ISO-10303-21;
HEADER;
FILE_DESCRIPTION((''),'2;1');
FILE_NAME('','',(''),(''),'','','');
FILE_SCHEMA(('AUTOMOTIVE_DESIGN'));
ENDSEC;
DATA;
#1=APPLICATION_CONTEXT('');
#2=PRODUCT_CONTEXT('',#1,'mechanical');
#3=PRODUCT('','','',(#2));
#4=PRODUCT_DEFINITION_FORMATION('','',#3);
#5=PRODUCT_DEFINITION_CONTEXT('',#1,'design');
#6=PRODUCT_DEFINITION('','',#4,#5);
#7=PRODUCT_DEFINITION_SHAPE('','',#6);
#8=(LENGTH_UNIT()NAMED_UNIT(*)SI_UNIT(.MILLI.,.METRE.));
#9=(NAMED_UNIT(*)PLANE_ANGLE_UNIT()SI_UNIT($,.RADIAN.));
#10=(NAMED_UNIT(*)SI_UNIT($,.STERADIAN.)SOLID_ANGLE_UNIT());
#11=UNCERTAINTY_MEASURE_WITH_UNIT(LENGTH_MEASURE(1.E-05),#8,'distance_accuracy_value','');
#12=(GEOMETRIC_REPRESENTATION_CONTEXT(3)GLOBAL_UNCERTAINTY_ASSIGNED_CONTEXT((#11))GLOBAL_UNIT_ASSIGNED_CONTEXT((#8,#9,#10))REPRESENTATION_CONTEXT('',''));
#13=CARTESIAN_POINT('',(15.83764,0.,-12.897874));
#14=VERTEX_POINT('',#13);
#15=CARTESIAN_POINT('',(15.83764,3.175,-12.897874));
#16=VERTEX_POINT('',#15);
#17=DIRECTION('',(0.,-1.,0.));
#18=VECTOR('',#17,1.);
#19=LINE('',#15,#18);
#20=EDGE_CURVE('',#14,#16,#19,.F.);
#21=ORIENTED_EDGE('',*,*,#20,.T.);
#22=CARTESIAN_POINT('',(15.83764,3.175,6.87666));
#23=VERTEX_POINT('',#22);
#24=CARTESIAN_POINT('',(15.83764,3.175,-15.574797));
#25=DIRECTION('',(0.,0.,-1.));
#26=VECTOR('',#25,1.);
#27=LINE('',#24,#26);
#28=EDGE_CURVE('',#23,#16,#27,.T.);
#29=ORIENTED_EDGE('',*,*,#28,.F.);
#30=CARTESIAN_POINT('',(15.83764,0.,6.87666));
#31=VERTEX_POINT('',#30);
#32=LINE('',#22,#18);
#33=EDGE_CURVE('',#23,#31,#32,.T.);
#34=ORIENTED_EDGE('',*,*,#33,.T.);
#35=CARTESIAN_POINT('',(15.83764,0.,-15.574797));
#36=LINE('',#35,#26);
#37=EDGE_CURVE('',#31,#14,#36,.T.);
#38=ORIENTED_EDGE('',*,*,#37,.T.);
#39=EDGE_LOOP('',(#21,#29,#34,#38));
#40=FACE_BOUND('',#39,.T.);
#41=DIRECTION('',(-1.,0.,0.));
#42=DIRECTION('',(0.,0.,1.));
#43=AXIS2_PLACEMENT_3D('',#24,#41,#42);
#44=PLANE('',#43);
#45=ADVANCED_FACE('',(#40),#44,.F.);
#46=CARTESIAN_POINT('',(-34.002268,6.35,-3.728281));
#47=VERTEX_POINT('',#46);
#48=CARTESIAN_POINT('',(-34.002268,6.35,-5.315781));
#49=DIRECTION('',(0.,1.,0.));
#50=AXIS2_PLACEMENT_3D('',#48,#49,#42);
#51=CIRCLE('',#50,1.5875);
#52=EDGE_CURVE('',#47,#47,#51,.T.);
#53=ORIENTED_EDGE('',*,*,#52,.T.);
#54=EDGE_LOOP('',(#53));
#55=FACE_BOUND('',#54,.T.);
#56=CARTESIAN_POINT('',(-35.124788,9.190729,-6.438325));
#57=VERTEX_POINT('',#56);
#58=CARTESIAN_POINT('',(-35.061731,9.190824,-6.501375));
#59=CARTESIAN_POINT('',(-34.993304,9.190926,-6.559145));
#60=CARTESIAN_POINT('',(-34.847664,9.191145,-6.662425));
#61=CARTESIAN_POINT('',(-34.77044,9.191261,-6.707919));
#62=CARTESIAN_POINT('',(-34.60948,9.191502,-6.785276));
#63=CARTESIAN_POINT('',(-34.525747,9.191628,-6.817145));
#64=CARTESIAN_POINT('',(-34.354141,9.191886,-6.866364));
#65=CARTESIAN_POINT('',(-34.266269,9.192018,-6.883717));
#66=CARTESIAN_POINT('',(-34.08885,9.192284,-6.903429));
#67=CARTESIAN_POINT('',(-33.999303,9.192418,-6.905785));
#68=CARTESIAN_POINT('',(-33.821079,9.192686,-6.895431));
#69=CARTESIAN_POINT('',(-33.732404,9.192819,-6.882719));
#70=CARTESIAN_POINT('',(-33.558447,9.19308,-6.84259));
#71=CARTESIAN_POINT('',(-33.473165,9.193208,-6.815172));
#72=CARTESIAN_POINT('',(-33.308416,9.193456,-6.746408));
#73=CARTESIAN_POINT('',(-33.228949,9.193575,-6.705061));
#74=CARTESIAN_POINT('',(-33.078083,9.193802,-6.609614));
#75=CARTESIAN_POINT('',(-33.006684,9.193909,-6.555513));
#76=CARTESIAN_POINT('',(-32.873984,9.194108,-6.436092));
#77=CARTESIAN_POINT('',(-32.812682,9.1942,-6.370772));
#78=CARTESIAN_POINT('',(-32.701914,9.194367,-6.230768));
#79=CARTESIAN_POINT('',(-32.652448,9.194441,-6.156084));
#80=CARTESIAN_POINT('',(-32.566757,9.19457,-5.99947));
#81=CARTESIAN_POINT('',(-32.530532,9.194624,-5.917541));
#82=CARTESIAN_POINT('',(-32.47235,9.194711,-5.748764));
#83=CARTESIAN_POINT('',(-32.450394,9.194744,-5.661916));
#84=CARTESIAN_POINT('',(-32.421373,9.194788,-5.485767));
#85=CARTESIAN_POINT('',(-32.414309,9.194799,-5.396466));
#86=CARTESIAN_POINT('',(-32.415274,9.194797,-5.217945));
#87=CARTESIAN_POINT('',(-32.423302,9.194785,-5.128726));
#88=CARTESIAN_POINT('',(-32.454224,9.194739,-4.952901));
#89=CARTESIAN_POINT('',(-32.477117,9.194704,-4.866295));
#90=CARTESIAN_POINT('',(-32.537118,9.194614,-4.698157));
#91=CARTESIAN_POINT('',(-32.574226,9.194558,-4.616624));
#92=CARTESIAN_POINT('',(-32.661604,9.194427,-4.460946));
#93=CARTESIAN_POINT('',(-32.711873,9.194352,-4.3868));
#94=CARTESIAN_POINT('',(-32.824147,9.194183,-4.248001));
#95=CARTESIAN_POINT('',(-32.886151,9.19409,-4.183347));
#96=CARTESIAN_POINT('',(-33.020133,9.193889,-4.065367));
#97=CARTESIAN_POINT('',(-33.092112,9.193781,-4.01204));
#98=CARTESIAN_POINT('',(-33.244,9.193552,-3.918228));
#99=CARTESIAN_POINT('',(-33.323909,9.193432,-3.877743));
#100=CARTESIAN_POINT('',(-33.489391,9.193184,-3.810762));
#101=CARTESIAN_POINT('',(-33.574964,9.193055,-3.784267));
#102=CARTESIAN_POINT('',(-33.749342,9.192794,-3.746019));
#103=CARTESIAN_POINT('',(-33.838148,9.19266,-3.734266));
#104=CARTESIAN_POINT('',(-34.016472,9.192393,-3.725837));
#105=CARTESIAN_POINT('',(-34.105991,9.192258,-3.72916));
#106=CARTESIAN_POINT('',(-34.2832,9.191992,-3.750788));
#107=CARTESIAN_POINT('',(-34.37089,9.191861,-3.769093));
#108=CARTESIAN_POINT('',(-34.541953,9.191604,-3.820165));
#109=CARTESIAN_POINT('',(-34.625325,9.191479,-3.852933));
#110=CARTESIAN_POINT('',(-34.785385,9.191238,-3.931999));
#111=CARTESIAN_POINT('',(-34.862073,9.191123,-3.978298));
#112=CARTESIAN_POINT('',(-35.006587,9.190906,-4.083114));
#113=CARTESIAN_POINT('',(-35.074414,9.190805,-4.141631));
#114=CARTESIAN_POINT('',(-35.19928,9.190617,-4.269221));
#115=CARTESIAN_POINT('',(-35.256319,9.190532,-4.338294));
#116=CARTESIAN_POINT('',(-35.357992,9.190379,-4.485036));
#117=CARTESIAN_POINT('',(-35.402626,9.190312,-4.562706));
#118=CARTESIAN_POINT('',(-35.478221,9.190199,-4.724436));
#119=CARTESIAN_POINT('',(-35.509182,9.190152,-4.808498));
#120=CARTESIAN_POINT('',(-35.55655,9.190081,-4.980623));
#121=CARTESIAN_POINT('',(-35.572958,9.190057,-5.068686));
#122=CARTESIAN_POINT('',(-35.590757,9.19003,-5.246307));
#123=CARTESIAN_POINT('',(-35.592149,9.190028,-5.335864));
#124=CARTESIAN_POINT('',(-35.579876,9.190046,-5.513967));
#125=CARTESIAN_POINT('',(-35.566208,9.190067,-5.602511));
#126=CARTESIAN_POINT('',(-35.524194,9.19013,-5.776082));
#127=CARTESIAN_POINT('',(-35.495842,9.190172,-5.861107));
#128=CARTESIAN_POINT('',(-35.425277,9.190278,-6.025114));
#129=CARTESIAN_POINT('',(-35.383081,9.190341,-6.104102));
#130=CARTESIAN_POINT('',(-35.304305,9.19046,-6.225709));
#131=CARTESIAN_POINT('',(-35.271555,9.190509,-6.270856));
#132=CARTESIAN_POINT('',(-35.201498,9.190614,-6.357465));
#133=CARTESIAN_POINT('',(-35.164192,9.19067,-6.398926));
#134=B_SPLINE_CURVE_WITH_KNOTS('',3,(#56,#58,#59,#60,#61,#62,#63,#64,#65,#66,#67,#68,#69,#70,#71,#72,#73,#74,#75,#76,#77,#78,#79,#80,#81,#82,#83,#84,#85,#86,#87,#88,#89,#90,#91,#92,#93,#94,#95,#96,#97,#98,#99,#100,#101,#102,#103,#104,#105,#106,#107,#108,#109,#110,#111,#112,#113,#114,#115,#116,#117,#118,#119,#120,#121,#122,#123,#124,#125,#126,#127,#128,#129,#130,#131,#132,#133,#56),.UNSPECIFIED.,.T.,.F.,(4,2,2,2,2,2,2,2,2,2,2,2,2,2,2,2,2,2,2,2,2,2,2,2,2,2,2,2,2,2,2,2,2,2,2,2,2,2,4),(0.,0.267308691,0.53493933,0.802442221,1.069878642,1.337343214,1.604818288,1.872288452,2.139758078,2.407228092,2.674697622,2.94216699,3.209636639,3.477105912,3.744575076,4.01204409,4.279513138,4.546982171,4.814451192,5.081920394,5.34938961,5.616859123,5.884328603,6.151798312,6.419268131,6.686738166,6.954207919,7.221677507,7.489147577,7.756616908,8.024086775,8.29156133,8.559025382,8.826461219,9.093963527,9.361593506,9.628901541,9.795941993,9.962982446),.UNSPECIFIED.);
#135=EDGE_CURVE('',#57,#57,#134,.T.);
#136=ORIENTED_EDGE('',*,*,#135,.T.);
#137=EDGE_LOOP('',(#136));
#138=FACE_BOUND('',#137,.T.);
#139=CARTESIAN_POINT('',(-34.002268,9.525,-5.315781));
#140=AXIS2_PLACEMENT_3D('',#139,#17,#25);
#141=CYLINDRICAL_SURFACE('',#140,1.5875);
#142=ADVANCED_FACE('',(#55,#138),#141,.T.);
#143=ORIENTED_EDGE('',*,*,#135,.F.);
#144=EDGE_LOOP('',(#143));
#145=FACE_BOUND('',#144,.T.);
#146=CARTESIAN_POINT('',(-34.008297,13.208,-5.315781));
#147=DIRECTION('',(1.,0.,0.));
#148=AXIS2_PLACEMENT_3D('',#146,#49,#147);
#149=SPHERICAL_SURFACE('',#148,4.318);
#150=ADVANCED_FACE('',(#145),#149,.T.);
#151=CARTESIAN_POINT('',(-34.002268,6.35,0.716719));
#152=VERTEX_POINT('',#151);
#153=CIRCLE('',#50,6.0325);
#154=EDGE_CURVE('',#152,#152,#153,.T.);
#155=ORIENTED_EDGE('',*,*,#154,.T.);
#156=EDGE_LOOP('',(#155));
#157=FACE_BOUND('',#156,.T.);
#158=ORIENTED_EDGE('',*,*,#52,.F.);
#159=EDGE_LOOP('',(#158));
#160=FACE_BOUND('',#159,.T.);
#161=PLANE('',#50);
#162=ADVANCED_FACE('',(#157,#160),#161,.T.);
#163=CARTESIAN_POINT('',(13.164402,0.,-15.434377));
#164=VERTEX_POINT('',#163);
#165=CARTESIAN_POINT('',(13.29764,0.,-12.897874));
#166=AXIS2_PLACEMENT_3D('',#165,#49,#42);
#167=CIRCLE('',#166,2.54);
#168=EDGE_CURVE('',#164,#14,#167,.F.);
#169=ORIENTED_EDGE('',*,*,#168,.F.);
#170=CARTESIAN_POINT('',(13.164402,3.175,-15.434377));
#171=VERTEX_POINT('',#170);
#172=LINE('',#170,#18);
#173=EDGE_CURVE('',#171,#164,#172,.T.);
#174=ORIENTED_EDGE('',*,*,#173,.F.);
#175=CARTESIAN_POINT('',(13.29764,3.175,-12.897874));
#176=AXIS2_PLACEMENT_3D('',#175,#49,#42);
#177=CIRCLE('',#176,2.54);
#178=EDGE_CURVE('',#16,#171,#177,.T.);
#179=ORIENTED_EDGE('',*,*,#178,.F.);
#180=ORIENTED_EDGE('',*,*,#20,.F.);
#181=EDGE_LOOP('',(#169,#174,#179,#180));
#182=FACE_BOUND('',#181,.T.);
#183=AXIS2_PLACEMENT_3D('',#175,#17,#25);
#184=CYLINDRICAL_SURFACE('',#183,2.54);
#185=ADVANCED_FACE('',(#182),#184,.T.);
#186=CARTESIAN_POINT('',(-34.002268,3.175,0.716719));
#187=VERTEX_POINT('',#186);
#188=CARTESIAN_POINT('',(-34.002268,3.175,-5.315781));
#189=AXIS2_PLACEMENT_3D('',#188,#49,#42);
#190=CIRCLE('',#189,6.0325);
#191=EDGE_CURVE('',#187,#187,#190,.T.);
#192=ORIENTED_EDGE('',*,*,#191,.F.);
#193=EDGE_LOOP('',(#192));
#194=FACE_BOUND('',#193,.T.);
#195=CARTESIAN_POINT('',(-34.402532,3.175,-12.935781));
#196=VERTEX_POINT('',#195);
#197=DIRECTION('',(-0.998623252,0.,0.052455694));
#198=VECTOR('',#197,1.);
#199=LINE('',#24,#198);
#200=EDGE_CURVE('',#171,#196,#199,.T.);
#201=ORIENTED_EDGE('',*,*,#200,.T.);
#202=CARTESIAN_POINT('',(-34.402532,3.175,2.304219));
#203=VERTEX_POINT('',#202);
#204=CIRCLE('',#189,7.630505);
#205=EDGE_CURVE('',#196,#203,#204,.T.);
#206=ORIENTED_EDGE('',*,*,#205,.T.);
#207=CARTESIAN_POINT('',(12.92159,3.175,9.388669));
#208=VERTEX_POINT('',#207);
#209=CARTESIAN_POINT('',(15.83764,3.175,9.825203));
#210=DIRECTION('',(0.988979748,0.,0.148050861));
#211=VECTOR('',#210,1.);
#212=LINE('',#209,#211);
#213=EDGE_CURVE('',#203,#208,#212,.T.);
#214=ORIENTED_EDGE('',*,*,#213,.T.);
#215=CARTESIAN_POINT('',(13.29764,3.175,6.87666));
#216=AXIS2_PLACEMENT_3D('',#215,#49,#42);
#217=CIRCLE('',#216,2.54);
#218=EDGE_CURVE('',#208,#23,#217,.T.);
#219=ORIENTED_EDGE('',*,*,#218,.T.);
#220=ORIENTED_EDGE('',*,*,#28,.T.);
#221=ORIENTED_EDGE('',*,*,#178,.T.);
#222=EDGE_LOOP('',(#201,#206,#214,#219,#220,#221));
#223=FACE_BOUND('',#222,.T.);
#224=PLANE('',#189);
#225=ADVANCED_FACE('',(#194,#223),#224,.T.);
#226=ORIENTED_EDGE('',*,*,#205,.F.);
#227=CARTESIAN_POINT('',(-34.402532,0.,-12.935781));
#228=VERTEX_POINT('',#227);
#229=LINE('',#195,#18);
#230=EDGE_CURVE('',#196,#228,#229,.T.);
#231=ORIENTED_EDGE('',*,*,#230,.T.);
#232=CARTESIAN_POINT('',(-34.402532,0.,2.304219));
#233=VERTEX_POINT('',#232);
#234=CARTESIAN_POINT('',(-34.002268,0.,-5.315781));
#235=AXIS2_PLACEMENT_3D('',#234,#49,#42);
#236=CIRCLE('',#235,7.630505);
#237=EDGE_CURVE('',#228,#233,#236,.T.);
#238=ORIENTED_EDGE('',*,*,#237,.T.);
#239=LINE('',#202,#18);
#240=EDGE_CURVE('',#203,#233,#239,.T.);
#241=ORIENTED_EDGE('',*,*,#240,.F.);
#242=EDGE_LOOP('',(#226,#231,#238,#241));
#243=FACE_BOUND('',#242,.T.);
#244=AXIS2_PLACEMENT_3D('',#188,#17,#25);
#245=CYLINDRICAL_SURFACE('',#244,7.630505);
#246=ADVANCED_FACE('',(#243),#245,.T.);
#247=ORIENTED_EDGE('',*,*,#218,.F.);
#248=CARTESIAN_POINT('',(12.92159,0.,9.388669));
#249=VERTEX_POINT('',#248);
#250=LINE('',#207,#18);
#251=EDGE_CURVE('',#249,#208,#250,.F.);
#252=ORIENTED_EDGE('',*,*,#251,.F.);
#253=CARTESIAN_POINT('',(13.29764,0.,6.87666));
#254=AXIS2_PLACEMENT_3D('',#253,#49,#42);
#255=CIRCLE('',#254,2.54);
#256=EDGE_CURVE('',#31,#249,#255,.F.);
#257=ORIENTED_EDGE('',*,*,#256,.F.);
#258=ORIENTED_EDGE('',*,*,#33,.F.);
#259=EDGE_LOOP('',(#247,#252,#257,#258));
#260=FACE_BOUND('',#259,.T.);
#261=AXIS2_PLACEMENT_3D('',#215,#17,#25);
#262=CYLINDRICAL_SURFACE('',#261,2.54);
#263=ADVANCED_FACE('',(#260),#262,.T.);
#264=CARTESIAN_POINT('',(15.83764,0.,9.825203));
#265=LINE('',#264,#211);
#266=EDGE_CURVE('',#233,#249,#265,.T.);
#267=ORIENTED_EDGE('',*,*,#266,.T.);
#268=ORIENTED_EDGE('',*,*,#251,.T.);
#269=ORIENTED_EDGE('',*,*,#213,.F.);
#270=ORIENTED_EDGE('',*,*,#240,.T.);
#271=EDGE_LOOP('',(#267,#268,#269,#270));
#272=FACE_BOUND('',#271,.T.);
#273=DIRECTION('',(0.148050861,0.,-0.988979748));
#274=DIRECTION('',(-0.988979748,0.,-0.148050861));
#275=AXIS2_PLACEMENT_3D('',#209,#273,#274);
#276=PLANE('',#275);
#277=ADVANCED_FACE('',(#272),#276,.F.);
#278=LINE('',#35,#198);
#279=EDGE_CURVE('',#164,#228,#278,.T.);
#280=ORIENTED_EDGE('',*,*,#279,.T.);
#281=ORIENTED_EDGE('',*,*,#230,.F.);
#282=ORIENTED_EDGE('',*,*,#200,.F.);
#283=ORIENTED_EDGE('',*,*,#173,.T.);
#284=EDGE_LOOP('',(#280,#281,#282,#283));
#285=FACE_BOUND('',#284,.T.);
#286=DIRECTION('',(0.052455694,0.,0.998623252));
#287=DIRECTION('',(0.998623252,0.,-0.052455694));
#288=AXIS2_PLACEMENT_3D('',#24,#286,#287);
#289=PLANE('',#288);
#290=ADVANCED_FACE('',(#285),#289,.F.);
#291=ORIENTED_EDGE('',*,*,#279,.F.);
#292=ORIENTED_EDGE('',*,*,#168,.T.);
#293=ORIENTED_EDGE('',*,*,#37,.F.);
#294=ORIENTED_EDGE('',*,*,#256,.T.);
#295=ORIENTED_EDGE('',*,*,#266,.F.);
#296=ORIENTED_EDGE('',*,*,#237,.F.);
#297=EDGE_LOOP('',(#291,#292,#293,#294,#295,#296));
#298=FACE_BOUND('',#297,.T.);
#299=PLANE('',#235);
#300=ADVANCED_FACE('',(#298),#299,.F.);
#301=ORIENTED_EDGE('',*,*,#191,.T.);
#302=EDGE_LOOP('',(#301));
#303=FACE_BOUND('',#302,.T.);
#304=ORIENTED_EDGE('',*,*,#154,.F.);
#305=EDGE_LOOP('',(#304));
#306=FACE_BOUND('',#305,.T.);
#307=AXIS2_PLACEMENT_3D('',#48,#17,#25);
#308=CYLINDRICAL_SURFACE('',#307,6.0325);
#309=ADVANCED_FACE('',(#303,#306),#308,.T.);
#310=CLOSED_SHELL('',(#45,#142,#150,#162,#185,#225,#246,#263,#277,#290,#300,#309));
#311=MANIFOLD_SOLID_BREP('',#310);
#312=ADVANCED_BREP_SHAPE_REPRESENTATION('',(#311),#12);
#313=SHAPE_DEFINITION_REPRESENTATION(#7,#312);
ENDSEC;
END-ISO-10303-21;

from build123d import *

# Parameters (mm, degrees)
BOSS_EXTRUDE1_DEPTH = 3.175
FILLET1_R           = 2.54
SKETCH2_R           = 6.0325
BOSS_EXTRUDE3_DEPTH = 3.175
SKETCH3_R           = 1.5875
BOSS_EXTRUDE4_DEPTH = 3.175


with BuildPart() as part:
    # Sketch1 → Boss-Extrude1 (new body)
    with BuildSketch(Plane(origin=(0, 0, 0), x_dir=(1, 0, 0), z_dir=(0, 1, 0))):
        with BuildLine():
            Line((15.837639572, 15.574796876), (15.837639572, -9.825203124))
            Line((15.837639572, -9.825203124), (-34.402531646, -2.304219409))
            ThreePointArc((-34.402531646, -2.304219409), (-41.632773479, 5.315780591), (-34.402531646, 12.935780591))
            Line((-34.402531646, 12.935780591), (15.837639572, 15.574796876))
        make_face()
    extrude(amount=BOSS_EXTRUDE1_DEPTH)

    # Fillet1
    fillet1_edges = [part.edges().sort_by_distance(p)[0] for p in [
        (15.837639572, 1.5875, -15.574796876),
        (15.837639572, 1.5875, 9.825203124),
    ]]
    fillet(fillet1_edges, radius=FILLET1_R)

    # Sketch2 → Boss-Extrude3 (add)
    with BuildSketch(Plane(origin=(0, 3.175, 0), x_dir=(1, 0, 0), z_dir=(0, 1, 0))):
        with Locations(Location((-34.002268199, 5.315780591, 0), (0, 0, 270))):
            Circle(SKETCH2_R)
    extrude(amount=BOSS_EXTRUDE3_DEPTH)

    # Sketch3 → Boss-Extrude4 (add)
    with BuildSketch(Plane(origin=(0, 6.35, 0), x_dir=(1, 0, 0), z_dir=(0, 1, 0))):
        with Locations(Location((-34.002268199, 5.315780591, 0), (0, 0, 270))):
            Circle(SKETCH3_R)
    extrude(amount=BOSS_EXTRUDE4_DEPTH)

    # Sketch6 → Revolve1 (revolve)
    with BuildSketch(Plane.XY.offset(-5.315780591)):
        with BuildLine():
            Line((-34.008296726, 17.526), (-34.008296726, 8.89))
            ThreePointArc((-34.008296726, 8.89), (-38.326296726, 13.208), (-34.008296726, 17.526))
        make_face()
    revolve(axis=Axis((-34.008296726, 17.526, -5.315780591), (0, -1, 0)))


solid = part.part
